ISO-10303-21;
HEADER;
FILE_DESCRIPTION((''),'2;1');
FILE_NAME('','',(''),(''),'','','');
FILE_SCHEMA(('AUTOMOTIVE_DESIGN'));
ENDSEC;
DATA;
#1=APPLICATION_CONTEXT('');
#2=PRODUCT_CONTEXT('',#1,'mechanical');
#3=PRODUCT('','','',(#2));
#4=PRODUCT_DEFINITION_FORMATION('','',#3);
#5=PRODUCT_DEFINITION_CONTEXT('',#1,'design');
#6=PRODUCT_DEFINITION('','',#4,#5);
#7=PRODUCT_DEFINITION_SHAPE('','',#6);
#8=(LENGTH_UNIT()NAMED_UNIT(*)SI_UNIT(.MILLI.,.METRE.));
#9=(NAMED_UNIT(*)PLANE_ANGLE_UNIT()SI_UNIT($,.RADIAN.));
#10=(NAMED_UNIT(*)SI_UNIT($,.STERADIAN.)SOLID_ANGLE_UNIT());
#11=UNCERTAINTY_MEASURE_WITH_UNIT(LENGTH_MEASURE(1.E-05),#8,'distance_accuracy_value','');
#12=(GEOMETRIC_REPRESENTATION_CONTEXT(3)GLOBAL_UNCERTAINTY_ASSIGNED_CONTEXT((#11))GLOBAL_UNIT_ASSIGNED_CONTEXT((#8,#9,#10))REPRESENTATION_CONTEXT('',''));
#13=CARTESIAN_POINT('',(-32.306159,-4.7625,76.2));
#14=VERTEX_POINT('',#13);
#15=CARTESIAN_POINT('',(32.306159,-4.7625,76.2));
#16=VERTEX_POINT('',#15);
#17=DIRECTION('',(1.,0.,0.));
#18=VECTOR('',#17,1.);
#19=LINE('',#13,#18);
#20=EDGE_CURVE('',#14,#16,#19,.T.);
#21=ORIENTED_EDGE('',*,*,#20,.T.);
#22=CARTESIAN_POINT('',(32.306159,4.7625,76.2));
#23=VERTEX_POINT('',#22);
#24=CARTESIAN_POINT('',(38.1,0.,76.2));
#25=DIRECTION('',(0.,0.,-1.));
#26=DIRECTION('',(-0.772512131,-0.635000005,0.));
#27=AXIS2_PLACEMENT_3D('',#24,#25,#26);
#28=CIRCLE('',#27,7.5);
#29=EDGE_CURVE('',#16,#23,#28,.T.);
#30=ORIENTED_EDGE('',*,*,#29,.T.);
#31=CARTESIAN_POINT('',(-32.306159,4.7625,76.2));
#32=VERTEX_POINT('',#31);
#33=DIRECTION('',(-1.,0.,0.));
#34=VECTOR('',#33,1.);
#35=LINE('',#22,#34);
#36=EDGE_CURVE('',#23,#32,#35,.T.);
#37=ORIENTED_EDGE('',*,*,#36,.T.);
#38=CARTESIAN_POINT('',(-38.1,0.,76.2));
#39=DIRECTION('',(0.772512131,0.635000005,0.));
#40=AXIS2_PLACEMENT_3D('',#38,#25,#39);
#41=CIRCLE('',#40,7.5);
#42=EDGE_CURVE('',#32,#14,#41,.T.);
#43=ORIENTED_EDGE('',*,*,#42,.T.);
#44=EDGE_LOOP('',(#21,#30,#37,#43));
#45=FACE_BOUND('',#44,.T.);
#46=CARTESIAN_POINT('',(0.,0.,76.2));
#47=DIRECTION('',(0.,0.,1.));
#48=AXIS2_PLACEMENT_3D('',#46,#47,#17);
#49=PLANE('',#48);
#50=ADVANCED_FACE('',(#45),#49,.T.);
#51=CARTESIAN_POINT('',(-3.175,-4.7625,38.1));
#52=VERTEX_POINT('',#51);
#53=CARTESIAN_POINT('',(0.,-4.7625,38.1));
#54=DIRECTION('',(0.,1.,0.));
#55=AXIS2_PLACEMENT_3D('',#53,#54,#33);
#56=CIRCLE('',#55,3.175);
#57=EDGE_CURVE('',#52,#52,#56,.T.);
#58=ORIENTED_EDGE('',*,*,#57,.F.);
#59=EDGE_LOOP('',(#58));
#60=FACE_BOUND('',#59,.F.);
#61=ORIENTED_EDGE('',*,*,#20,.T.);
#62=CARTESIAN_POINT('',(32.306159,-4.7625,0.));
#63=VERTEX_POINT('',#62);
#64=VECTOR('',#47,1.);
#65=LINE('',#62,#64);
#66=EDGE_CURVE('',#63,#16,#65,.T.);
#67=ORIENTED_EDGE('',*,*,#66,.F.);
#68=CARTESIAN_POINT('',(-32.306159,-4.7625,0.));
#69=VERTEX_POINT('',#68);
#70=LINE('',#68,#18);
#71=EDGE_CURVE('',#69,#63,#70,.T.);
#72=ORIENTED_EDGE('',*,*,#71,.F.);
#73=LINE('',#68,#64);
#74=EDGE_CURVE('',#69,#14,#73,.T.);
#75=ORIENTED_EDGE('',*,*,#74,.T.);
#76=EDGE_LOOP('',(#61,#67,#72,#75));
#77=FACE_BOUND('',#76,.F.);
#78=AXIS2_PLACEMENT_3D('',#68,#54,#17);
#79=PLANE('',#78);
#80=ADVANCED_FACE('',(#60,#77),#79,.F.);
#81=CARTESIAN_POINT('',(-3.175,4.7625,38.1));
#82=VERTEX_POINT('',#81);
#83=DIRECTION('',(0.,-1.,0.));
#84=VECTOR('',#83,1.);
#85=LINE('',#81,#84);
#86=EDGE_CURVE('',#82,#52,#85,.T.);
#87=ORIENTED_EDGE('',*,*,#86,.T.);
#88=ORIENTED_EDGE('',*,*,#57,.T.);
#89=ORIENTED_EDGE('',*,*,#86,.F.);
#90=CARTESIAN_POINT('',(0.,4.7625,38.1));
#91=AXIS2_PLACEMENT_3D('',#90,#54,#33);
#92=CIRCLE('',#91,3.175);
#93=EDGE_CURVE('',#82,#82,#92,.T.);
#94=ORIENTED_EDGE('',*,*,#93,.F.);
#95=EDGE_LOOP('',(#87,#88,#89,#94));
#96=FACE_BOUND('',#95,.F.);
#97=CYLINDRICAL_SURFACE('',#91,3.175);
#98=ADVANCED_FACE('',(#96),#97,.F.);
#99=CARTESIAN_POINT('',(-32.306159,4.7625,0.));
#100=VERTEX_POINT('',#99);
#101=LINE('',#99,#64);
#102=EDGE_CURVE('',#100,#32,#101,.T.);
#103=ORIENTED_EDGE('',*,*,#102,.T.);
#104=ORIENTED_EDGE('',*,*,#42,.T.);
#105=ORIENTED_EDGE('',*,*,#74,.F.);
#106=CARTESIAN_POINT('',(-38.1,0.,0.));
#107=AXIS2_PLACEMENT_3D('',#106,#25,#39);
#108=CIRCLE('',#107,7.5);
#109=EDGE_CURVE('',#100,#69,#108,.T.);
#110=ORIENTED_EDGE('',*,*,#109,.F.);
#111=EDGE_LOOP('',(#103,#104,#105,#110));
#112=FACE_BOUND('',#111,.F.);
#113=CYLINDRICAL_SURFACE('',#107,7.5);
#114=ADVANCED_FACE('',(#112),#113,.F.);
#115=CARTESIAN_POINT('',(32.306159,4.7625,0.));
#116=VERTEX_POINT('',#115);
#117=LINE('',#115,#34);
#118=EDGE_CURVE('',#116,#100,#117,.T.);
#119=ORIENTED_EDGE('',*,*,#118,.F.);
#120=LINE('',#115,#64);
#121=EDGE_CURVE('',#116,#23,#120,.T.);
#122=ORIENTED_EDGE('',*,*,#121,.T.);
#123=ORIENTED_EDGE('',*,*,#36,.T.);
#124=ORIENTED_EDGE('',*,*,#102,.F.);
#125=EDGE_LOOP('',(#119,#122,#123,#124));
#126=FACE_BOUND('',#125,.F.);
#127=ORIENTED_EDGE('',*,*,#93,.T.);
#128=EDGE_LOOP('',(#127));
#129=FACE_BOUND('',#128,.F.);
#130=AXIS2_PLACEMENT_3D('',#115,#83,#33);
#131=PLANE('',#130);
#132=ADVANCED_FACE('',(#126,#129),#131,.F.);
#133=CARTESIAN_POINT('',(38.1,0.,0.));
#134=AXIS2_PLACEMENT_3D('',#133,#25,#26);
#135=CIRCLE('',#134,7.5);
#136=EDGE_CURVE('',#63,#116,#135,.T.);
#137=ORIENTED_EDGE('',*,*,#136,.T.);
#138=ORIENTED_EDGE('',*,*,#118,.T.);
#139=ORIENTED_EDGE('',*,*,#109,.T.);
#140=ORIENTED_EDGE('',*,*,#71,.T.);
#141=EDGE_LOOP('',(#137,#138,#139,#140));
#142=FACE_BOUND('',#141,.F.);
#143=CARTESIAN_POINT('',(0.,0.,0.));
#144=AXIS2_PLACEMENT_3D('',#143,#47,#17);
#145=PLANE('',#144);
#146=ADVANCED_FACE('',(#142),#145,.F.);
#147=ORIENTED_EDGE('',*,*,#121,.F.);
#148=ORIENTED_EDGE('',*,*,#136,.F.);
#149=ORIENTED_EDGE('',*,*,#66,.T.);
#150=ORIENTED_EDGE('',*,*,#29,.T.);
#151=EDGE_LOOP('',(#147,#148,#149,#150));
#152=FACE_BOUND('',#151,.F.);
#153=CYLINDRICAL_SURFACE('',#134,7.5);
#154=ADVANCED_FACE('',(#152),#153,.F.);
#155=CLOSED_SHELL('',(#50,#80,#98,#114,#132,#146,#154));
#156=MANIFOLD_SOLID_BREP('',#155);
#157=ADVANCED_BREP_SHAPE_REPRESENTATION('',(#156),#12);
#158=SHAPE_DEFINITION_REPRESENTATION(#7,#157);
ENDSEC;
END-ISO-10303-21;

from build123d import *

# Parameters (mm, degrees)
F1_DEPTH = 76.2
F2_R     = 3.175
F3_DEPTH = 9.525


with BuildPart() as f1:
    # F0 (on Top) → F1 (new body)
    with BuildSketch(Plane.XY):
        with BuildLine():
            Line((-32.306159, -4.7625), (32.306159, -4.7625))
            ThreePointArc((32.306159, -4.7625), (30.6, 0), (32.306159, 4.7625))
            Line((32.306159, 4.7625), (-32.306159, 4.7625))
            ThreePointArc((-32.306159, 4.7625), (-30.6, 0), (-32.306159, -4.7625))
        make_face()
    extrude(amount=F1_DEPTH)

    # F2 (on face) → F3 (cut, through all)
    with BuildSketch(Plane(origin=(0, 4.7625, 0), x_dir=(-1, 0, 0), z_dir=(0, 1, 0))):
        with Locations((0, 38.1)):
            Circle(F2_R)
    extrude(amount=-F3_DEPTH, mode=Mode.SUBTRACT)


solid = f1.part
